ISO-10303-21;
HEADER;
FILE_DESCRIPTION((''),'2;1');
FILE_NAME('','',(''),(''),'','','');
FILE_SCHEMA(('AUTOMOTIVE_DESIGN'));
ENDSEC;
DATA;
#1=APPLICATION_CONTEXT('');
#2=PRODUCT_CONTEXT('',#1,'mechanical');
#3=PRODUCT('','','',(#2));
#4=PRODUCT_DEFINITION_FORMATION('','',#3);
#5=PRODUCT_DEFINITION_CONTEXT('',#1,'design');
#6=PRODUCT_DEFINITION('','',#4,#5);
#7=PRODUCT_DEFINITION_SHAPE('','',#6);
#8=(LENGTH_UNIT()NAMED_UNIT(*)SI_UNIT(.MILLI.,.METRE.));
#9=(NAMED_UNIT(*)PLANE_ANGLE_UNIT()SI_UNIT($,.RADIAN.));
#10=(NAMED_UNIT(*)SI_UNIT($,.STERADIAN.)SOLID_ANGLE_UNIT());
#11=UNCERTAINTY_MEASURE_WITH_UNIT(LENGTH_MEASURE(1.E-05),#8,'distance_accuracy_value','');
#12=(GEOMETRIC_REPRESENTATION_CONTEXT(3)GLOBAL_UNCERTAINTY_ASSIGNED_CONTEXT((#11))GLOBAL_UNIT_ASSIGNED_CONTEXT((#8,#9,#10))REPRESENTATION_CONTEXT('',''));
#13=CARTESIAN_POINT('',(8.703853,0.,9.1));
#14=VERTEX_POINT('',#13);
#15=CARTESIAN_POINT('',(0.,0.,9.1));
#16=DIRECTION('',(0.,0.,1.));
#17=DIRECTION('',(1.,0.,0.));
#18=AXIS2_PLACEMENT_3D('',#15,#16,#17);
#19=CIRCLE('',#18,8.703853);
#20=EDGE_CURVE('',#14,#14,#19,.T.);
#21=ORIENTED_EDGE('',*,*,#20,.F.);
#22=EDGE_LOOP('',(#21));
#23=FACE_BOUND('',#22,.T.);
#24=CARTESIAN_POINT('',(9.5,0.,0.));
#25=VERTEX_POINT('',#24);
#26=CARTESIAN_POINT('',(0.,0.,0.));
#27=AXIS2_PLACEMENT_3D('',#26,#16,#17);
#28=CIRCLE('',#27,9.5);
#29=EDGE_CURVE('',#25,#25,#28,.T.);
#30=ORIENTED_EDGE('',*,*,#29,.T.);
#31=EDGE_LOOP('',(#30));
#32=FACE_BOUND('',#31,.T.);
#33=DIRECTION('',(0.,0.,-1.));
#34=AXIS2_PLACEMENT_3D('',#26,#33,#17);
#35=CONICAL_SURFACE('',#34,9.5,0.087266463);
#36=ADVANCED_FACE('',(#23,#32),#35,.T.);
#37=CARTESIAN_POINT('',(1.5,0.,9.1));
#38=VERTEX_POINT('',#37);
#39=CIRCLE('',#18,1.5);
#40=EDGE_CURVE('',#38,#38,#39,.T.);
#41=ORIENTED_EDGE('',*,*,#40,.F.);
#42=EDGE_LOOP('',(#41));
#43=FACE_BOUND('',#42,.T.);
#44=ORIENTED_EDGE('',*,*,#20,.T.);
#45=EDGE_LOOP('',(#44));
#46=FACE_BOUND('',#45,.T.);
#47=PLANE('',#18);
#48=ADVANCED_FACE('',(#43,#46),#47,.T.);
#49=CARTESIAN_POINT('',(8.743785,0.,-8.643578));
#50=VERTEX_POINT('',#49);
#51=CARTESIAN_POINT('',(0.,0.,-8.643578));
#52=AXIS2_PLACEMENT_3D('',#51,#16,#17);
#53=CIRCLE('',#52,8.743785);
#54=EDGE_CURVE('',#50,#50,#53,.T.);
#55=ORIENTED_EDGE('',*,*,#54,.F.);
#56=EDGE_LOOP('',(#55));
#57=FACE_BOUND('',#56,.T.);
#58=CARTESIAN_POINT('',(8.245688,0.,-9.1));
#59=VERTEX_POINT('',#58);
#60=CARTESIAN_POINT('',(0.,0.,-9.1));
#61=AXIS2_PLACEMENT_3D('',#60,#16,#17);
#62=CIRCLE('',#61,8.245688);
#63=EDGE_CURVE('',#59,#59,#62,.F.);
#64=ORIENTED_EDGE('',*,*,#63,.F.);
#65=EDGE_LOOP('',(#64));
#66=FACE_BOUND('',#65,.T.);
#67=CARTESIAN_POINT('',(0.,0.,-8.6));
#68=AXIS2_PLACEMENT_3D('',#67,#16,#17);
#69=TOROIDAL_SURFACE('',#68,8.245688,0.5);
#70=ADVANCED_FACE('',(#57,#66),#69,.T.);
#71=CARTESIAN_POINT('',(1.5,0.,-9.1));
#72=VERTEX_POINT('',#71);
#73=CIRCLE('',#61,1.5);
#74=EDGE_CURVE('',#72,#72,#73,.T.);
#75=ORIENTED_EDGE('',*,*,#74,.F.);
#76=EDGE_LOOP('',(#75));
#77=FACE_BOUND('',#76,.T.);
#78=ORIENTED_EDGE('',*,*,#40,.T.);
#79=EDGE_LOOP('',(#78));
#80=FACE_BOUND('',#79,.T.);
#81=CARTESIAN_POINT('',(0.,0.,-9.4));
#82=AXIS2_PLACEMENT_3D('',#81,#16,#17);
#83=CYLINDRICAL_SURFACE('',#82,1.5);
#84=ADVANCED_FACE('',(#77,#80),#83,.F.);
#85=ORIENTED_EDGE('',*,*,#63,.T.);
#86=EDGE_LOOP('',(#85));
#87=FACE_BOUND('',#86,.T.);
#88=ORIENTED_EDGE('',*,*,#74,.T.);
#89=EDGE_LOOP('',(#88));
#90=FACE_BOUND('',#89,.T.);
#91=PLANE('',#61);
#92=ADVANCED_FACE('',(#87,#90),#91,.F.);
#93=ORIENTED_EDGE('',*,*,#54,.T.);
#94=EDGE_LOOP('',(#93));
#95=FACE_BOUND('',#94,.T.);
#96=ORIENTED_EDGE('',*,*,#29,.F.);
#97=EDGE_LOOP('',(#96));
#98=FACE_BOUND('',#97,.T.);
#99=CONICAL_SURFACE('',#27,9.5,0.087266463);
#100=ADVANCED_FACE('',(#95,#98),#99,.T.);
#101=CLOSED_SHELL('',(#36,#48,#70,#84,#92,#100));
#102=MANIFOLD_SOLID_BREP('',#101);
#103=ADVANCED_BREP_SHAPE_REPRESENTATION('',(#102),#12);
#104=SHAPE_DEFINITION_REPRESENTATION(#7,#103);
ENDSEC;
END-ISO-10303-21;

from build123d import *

# Parameters (mm, degrees)
SKETCH1_R                     = 9.5
BOSS_EXTRUDE1_DEPTH           = 9.1
BOSS_EXTRUDE1_TAPER           = 5
BOSS_EXTRUDE1_OTHER_WAY_DEPTH = 9.1
BOSS_EXTRUDE1_OTHER_WAY_TAPER = 5
FILLET1_R                     = 0.5
SKETCH2_R                     = 1.5
CUT_EXTRUDE1_DEPTH            = 18.5


with BuildPart() as part:
    # Sketch1 → Boss-Extrude1 (new body)
    with BuildSketch(Plane.XY):
        Circle(SKETCH1_R)
    extrude(amount=BOSS_EXTRUDE1_DEPTH, taper=BOSS_EXTRUDE1_TAPER)

    # Sketch1 → Boss-Extrude1 other way (add)
    with BuildSketch(Plane.XY):
        Circle(SKETCH1_R)
    extrude(amount=-BOSS_EXTRUDE1_OTHER_WAY_DEPTH, taper=BOSS_EXTRUDE1_OTHER_WAY_TAPER)

    # Fillet1
    fillet1_edges = [part.edges().sort_by_distance(p)[0] for p in [
        (-8.703853162, 0, -9.1),
    ]]
    fillet(fillet1_edges, radius=FILLET1_R)

    # Sketch2 → Cut-Extrude1 (cut)
    with BuildSketch(Plane.XY.offset(9.1)):
        Circle(SKETCH2_R)
    extrude(amount=-CUT_EXTRUDE1_DEPTH, mode=Mode.SUBTRACT)


solid = part.part
